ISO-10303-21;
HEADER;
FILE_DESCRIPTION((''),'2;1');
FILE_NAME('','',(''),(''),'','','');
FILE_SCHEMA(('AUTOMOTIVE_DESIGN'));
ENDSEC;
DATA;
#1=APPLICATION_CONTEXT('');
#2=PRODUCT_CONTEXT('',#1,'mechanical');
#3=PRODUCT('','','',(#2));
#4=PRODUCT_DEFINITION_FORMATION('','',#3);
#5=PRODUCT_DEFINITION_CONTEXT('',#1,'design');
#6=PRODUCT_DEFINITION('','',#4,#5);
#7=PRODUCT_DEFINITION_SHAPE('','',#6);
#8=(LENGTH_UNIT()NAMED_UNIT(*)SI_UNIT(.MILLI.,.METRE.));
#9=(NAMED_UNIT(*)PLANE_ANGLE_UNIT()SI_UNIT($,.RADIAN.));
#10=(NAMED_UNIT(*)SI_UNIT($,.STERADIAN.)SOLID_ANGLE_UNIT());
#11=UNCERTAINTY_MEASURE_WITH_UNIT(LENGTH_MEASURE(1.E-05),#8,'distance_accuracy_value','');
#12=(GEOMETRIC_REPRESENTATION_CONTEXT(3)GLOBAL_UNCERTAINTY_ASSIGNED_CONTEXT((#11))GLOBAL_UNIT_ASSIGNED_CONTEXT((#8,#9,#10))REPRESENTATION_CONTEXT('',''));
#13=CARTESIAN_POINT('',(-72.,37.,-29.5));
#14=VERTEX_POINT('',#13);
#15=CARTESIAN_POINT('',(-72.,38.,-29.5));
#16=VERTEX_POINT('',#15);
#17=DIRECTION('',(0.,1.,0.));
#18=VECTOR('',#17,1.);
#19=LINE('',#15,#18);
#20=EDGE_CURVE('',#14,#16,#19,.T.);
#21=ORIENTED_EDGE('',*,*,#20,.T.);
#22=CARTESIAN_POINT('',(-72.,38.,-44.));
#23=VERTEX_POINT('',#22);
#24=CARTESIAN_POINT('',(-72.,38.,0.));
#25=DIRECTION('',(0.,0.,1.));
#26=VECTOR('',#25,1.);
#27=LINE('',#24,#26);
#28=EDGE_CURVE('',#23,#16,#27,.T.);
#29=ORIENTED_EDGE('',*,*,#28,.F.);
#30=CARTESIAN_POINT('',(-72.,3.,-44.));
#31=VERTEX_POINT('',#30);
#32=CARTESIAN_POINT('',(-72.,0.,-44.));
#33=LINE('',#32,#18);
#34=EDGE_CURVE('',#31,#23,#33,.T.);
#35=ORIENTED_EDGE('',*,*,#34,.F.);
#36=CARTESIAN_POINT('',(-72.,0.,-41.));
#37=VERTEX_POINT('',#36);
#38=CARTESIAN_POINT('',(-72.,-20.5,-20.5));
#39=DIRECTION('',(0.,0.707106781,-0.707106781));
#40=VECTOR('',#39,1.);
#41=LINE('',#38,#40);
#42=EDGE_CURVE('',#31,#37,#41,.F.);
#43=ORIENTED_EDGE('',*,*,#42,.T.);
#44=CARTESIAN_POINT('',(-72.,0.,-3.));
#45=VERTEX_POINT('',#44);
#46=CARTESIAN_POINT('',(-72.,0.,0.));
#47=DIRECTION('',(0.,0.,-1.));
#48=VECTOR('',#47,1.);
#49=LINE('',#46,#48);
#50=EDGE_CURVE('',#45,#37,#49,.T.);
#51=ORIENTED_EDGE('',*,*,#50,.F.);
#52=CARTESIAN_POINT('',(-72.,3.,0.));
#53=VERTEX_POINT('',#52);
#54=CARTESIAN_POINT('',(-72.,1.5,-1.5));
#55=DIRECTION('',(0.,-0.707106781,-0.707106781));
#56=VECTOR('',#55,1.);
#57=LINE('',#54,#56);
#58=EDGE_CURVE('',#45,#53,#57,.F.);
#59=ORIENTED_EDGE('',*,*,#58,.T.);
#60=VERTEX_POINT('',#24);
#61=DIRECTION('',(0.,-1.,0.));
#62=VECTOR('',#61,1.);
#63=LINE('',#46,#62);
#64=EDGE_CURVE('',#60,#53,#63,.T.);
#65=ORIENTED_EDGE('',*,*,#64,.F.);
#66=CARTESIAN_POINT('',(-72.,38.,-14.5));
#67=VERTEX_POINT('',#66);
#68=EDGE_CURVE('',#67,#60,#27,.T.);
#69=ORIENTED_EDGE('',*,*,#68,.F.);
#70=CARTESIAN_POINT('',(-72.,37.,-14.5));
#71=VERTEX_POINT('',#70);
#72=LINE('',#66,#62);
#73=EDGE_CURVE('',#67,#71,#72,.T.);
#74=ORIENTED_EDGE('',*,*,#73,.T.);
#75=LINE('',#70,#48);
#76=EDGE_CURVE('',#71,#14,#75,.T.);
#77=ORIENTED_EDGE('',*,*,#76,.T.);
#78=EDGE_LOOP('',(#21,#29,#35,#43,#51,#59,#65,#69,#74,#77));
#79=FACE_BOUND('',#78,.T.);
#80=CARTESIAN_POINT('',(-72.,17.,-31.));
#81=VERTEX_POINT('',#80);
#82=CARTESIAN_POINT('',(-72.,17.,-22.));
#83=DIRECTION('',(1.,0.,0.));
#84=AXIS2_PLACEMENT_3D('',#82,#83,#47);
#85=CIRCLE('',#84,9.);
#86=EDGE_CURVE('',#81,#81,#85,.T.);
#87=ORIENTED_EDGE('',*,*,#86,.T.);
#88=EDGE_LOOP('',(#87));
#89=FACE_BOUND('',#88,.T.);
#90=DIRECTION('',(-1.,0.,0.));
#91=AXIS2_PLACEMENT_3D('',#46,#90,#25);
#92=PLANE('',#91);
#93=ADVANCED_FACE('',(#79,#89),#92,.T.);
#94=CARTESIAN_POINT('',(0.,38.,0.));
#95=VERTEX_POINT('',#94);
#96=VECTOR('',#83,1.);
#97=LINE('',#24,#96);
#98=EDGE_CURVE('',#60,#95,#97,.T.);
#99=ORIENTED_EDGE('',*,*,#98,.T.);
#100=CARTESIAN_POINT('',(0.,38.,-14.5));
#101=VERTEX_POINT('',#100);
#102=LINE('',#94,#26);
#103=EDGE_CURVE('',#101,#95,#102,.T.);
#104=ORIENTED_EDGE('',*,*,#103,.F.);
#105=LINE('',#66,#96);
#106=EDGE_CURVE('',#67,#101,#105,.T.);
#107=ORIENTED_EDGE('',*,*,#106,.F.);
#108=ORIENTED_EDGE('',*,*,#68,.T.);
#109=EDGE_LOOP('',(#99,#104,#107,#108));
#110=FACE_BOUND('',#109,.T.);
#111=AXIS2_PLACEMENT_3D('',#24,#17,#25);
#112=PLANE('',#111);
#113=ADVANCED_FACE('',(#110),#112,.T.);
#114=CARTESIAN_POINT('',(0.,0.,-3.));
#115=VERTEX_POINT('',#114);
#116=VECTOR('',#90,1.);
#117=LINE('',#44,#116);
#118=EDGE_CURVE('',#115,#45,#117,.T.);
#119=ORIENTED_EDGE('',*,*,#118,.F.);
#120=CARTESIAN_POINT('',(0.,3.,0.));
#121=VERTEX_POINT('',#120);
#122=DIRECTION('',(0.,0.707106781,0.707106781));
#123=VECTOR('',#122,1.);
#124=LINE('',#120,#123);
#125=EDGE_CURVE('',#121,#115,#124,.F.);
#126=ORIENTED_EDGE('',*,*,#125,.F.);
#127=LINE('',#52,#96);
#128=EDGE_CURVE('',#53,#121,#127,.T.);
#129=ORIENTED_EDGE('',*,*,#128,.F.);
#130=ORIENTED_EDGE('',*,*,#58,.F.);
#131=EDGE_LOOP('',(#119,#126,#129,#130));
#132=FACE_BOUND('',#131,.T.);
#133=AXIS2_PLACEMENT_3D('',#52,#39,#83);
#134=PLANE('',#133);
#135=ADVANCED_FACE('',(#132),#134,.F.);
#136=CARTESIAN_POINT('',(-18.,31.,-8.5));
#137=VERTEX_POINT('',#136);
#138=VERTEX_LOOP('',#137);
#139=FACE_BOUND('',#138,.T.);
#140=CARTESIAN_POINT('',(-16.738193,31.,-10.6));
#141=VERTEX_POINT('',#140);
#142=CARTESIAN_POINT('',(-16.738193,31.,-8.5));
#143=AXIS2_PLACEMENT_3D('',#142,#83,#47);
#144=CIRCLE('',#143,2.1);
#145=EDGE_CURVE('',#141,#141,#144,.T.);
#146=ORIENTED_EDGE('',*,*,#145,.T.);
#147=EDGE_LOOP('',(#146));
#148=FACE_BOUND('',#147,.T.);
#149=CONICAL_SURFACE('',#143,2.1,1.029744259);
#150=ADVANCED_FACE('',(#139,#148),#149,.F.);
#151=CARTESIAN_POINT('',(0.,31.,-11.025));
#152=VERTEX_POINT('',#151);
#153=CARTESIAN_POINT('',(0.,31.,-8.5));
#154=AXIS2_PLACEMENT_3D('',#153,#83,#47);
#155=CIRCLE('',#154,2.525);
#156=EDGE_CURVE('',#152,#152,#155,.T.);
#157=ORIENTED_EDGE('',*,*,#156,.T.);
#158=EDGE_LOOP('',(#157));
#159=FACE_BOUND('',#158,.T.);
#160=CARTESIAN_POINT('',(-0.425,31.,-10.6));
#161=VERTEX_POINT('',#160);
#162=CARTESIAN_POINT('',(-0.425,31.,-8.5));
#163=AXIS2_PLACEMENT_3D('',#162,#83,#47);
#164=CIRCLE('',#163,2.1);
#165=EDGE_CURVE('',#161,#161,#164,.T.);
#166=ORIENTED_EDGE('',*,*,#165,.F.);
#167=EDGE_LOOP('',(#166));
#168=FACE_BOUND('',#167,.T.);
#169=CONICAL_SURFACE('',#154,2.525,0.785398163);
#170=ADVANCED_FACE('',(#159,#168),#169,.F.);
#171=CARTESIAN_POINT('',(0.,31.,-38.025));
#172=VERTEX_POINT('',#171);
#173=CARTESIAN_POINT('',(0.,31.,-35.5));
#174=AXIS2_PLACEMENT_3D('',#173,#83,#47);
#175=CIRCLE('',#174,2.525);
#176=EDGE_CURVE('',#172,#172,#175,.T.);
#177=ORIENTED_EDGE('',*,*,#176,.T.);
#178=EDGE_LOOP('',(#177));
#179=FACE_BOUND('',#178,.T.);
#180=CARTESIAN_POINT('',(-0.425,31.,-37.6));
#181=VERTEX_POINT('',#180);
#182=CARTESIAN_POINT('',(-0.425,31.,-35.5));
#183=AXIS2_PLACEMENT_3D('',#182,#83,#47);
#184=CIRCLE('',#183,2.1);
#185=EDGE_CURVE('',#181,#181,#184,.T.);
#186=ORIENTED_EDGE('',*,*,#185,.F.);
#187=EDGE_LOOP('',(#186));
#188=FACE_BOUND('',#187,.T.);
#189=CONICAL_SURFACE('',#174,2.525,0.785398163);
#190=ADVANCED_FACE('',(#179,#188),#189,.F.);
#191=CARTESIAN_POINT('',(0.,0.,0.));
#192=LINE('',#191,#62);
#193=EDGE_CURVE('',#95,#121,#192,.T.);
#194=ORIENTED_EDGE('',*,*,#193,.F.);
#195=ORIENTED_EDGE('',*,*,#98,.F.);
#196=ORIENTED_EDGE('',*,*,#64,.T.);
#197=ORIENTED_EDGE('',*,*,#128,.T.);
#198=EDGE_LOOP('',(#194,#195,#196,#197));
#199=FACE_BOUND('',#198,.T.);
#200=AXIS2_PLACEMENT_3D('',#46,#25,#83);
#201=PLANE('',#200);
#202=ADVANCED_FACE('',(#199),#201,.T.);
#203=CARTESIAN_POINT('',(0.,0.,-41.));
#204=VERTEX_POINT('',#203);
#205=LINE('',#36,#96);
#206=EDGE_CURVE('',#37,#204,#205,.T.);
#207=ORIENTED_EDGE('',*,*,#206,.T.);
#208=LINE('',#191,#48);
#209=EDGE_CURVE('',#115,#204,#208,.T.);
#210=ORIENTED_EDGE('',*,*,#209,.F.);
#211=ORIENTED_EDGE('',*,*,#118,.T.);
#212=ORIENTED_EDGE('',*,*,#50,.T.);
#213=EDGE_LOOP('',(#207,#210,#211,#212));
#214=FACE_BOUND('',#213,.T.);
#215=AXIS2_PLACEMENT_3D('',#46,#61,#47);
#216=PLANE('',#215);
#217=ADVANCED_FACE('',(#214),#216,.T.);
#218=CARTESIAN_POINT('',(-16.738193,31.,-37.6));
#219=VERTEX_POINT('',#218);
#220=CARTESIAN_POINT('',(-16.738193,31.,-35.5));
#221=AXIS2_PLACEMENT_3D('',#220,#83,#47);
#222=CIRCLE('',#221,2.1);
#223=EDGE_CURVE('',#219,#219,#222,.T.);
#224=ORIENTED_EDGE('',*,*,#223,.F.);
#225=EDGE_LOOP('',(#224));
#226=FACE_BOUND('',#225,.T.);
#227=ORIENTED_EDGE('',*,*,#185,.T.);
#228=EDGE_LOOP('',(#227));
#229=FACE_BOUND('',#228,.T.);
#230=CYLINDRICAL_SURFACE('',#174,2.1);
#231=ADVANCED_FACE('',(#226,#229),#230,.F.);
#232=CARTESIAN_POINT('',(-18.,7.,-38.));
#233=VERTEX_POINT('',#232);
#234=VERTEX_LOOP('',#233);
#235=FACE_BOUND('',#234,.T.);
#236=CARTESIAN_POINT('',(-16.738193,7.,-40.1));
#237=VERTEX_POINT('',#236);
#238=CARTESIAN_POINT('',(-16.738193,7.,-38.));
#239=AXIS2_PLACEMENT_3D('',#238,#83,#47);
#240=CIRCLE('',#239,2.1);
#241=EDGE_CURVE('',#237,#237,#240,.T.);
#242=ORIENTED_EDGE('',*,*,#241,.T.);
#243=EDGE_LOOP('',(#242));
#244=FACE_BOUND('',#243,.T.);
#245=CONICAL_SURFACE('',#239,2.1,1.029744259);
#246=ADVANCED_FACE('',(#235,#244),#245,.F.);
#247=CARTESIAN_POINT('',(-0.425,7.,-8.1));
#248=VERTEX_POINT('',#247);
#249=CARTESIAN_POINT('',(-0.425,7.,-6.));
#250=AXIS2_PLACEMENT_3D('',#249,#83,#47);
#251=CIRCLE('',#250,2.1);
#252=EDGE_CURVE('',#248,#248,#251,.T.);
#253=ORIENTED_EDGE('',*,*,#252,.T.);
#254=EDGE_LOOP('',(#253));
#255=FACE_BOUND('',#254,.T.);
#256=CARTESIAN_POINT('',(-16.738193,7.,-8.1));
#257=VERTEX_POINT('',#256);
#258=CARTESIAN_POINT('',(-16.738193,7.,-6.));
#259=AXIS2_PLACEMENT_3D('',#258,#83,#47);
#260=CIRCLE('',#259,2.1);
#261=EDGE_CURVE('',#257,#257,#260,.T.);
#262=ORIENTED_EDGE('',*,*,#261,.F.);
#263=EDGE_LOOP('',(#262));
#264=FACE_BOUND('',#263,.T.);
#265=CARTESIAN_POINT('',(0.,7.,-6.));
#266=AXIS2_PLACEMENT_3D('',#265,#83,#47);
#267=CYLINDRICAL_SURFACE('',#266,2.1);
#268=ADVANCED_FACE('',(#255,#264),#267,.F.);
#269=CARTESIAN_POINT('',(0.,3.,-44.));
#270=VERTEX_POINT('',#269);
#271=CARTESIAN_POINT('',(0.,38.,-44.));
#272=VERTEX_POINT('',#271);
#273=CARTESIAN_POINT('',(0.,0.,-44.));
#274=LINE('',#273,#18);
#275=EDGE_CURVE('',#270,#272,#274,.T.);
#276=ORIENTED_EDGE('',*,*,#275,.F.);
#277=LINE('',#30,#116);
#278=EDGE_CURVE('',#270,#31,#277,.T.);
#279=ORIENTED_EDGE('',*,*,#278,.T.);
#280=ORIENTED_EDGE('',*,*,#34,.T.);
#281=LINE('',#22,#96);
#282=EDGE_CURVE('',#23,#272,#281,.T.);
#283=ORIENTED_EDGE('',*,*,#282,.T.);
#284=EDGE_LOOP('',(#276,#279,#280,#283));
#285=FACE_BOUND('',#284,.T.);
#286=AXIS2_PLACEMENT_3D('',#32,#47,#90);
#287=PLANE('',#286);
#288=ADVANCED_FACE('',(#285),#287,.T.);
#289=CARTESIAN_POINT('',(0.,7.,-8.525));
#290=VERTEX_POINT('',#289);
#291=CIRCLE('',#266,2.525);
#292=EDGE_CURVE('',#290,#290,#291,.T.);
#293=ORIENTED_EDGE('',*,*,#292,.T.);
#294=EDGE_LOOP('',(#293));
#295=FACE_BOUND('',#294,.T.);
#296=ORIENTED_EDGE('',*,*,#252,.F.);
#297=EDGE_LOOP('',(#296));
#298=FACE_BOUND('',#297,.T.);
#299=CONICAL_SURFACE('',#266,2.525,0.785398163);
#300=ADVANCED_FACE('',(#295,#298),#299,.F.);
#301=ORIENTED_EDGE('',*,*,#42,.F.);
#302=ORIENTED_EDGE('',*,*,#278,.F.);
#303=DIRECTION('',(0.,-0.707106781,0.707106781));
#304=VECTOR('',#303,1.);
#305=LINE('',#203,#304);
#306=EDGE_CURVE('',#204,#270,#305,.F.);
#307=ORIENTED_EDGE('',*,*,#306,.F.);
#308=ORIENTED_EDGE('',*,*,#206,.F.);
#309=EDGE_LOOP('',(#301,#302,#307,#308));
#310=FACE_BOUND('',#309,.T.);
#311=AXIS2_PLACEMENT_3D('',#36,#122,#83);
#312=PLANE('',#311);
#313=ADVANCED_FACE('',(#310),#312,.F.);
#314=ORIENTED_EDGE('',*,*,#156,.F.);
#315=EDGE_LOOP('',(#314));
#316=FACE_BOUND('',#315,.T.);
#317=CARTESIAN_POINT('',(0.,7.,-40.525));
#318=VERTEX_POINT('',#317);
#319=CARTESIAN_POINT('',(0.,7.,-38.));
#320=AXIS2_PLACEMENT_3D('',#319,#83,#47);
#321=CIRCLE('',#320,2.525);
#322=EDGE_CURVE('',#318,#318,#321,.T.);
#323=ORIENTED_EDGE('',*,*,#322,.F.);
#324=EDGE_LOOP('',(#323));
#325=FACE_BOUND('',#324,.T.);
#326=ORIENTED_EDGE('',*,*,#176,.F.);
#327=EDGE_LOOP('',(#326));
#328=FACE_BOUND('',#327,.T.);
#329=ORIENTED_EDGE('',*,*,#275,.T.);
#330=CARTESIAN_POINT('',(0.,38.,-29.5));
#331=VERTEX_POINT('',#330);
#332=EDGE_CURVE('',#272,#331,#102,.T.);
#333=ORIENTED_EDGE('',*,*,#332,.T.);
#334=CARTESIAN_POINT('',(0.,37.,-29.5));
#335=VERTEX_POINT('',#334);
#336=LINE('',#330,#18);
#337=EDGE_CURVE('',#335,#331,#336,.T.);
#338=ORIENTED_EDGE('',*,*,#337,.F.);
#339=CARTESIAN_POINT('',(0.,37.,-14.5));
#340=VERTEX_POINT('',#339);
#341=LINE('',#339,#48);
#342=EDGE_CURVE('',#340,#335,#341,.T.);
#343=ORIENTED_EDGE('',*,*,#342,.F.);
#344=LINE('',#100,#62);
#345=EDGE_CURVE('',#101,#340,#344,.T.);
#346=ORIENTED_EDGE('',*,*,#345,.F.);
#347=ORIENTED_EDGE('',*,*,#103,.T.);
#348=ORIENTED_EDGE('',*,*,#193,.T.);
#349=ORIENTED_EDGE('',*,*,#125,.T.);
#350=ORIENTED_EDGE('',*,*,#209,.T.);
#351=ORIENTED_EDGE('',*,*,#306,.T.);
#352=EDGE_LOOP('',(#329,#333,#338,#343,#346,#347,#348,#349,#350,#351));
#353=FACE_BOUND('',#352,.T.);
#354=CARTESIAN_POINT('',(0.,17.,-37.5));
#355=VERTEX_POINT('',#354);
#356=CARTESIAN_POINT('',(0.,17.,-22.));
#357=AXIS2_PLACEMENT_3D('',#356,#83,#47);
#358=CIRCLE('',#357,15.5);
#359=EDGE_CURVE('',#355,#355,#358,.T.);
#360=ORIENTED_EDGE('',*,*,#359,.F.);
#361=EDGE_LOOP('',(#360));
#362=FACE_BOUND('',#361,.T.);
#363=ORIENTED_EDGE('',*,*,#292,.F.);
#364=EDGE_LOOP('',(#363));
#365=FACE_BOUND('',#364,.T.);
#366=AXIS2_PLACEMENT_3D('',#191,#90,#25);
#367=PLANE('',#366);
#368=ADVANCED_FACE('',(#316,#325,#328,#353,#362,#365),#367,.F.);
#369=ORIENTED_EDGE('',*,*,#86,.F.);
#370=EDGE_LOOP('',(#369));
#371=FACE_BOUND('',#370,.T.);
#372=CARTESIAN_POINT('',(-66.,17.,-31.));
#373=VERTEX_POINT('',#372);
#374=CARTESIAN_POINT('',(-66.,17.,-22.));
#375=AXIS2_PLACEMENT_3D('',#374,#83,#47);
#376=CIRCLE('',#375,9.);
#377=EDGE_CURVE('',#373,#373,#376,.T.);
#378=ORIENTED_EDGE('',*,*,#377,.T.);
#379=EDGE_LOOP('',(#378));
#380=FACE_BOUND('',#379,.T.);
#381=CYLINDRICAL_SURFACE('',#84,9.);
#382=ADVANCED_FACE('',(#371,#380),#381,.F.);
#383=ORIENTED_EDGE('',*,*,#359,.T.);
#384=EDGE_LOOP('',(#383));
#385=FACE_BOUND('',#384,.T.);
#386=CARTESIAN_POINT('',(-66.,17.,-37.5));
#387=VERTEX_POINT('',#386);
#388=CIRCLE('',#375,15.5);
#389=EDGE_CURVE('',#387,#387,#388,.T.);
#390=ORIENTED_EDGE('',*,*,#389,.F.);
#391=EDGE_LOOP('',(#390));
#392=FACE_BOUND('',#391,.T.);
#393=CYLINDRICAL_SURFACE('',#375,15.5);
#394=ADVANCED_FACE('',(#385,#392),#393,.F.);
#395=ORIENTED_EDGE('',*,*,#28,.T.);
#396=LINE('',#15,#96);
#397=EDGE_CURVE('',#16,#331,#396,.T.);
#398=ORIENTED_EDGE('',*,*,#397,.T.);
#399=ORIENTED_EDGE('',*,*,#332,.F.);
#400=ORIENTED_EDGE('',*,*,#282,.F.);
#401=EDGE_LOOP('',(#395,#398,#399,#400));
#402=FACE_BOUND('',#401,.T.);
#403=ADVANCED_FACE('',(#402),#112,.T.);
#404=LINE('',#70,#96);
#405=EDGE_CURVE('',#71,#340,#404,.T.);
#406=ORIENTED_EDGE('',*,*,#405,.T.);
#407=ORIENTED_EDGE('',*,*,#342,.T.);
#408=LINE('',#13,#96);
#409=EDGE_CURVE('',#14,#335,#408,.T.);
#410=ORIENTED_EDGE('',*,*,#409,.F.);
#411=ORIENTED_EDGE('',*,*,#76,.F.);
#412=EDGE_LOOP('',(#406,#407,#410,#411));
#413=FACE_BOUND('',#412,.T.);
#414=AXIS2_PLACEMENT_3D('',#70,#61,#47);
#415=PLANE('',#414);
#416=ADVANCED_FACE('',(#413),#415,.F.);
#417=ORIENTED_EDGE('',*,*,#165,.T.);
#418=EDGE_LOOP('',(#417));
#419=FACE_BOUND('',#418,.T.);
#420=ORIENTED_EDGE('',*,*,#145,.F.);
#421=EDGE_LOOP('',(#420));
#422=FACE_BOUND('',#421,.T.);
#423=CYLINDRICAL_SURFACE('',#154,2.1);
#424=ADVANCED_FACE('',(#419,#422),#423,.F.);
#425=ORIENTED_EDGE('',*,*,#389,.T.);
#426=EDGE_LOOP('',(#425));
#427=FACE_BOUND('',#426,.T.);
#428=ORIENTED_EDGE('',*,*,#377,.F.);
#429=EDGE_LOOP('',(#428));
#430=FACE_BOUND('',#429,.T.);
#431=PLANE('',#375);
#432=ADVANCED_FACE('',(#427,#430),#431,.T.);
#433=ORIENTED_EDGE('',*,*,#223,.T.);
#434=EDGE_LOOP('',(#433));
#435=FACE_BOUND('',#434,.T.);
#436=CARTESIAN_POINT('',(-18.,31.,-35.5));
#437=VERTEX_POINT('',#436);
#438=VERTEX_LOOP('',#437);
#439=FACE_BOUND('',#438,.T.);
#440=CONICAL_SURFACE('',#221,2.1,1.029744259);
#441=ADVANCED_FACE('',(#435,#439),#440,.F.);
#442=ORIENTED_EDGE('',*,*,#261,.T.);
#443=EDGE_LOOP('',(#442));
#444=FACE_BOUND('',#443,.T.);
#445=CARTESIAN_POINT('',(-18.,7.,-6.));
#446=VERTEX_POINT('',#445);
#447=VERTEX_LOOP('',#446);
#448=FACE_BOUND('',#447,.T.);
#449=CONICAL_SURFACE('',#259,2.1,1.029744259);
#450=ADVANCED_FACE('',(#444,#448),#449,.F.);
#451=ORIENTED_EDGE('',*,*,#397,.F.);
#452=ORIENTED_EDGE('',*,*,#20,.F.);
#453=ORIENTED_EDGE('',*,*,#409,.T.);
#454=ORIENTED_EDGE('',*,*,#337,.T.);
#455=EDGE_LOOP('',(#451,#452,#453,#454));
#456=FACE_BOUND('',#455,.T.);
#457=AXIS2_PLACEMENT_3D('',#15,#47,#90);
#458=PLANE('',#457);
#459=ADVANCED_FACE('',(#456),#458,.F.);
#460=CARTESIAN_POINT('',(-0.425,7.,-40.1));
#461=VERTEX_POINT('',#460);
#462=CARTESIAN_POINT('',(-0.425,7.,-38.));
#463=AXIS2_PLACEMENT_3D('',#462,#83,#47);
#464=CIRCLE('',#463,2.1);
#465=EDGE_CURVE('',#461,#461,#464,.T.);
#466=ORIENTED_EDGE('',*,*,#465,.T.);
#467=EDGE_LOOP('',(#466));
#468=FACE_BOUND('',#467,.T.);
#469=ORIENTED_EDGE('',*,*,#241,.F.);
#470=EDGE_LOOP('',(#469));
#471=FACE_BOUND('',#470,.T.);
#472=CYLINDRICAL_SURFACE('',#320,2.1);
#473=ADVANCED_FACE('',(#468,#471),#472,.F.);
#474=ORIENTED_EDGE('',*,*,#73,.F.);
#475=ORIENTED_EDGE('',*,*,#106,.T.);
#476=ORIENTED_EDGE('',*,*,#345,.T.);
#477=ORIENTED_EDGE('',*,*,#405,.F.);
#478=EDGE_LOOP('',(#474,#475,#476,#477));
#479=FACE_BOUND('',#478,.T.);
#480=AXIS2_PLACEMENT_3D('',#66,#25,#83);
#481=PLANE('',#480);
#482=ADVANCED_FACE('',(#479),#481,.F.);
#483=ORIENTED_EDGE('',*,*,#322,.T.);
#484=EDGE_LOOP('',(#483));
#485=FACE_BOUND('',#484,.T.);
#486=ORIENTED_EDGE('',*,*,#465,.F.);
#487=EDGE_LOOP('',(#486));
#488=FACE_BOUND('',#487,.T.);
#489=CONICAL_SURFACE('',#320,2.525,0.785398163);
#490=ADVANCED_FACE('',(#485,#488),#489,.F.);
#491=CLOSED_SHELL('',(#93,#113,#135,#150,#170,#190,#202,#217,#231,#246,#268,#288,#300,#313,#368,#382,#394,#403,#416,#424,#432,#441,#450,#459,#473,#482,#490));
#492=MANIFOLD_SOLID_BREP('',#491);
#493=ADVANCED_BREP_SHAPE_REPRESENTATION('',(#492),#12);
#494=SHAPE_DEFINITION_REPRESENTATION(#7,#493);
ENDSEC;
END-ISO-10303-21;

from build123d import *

# Parameters (mm, degrees)
ESBO_O1_W                       = 44
ESBO_O1_H                       = 38
RESSALTO_EXTRUS_O1_DEPTH        = 72
ESBO_O2_R                       = 15.5
CORTE_EXTRUS_O1_DEPTH           = 66
ESBO_O4_R                       = 9
CORTE_EXTRUS_O2_DEPTH           = 88.954533709
FURO_ROSCADO_DE_M51_D           = 4.2
FURO_ROSCADO_DE_M51_DEPTH       = 16.7381927
FURO_ROSCADO_DE_M51_CSINK_D     = 5.05
FURO_ROSCADO_DE_M51_CSINK_ANGLE = 90
FURO_ROSCADO_DE_M51_TIP         = 1.2618073
CHANFRO1_SIZE                   = 3
ESBO_O7_W                       = 15
ESBO_O7_H                       = 1
CORTE_EXTRUS_O3_DEPTH           = 93.54188241


with BuildPart() as part:
    # Esboço1 → Ressalto-extrusão1 (new body)
    with BuildSketch(Plane(origin=(0, 0, 0), x_dir=(0, 0, -1), z_dir=(1, 0, 0))):
        with Locations((22, 19)):
            Rectangle(ESBO_O1_W, ESBO_O1_H)
    extrude(amount=-RESSALTO_EXTRUS_O1_DEPTH)

    # Esboço2 → Corte-extrusão1 (cut)
    with BuildSketch(Plane(origin=(0, 0, 0), x_dir=(0, 0, -1), z_dir=(1, 0, 0))):
        with Locations((22, 17)):
            Circle(ESBO_O2_R)
    extrude(amount=-CORTE_EXTRUS_O1_DEPTH, mode=Mode.SUBTRACT)

    # Esboço4 → Corte-extrusão2 (cut, through all)
    with BuildSketch(Plane(origin=(-66, 0, 0), x_dir=(0, 0, -1), z_dir=(1, 0, 0))):
        with Locations((22, 17)):
            Circle(ESBO_O4_R)
    extrude(amount=-CORTE_EXTRUS_O2_DEPTH, mode=Mode.SUBTRACT)

    # Furo roscado de M51
    with Locations(Plane(origin=(0, 0, 0), x_dir=(0, 0, -1), z_dir=(1, 0, 0))):
        with Locations((8.5, 31), (35.5, 31), (38, 7), (6, 7)):
            CounterSinkHole(FURO_ROSCADO_DE_M51_D / 2, FURO_ROSCADO_DE_M51_CSINK_D / 2, depth=FURO_ROSCADO_DE_M51_DEPTH, counter_sink_angle=FURO_ROSCADO_DE_M51_CSINK_ANGLE)
            with Locations((0, 0, -(FURO_ROSCADO_DE_M51_DEPTH + FURO_ROSCADO_DE_M51_TIP / 2))):  # 118° drill point
                Cone(0, FURO_ROSCADO_DE_M51_D / 2, FURO_ROSCADO_DE_M51_TIP, mode=Mode.SUBTRACT)

    # Chanfro1
    chanfro1_edges = [part.edges().sort_by_distance(p)[0] for p in [
        (-36, 0, -44),
        (-36, 0, 0),
    ]]
    chamfer(chanfro1_edges, length=CHANFRO1_SIZE)

    # Esboço7 → Corte-extrusão3 (cut, through all)
    with BuildSketch(Plane(origin=(0, 0, 0), x_dir=(0, 0, -1), z_dir=(1, 0, 0))):
        with Locations((22, 37.5)):
            Rectangle(ESBO_O7_W, ESBO_O7_H)
    extrude(amount=-CORTE_EXTRUS_O3_DEPTH, mode=Mode.SUBTRACT)


solid = part.part
